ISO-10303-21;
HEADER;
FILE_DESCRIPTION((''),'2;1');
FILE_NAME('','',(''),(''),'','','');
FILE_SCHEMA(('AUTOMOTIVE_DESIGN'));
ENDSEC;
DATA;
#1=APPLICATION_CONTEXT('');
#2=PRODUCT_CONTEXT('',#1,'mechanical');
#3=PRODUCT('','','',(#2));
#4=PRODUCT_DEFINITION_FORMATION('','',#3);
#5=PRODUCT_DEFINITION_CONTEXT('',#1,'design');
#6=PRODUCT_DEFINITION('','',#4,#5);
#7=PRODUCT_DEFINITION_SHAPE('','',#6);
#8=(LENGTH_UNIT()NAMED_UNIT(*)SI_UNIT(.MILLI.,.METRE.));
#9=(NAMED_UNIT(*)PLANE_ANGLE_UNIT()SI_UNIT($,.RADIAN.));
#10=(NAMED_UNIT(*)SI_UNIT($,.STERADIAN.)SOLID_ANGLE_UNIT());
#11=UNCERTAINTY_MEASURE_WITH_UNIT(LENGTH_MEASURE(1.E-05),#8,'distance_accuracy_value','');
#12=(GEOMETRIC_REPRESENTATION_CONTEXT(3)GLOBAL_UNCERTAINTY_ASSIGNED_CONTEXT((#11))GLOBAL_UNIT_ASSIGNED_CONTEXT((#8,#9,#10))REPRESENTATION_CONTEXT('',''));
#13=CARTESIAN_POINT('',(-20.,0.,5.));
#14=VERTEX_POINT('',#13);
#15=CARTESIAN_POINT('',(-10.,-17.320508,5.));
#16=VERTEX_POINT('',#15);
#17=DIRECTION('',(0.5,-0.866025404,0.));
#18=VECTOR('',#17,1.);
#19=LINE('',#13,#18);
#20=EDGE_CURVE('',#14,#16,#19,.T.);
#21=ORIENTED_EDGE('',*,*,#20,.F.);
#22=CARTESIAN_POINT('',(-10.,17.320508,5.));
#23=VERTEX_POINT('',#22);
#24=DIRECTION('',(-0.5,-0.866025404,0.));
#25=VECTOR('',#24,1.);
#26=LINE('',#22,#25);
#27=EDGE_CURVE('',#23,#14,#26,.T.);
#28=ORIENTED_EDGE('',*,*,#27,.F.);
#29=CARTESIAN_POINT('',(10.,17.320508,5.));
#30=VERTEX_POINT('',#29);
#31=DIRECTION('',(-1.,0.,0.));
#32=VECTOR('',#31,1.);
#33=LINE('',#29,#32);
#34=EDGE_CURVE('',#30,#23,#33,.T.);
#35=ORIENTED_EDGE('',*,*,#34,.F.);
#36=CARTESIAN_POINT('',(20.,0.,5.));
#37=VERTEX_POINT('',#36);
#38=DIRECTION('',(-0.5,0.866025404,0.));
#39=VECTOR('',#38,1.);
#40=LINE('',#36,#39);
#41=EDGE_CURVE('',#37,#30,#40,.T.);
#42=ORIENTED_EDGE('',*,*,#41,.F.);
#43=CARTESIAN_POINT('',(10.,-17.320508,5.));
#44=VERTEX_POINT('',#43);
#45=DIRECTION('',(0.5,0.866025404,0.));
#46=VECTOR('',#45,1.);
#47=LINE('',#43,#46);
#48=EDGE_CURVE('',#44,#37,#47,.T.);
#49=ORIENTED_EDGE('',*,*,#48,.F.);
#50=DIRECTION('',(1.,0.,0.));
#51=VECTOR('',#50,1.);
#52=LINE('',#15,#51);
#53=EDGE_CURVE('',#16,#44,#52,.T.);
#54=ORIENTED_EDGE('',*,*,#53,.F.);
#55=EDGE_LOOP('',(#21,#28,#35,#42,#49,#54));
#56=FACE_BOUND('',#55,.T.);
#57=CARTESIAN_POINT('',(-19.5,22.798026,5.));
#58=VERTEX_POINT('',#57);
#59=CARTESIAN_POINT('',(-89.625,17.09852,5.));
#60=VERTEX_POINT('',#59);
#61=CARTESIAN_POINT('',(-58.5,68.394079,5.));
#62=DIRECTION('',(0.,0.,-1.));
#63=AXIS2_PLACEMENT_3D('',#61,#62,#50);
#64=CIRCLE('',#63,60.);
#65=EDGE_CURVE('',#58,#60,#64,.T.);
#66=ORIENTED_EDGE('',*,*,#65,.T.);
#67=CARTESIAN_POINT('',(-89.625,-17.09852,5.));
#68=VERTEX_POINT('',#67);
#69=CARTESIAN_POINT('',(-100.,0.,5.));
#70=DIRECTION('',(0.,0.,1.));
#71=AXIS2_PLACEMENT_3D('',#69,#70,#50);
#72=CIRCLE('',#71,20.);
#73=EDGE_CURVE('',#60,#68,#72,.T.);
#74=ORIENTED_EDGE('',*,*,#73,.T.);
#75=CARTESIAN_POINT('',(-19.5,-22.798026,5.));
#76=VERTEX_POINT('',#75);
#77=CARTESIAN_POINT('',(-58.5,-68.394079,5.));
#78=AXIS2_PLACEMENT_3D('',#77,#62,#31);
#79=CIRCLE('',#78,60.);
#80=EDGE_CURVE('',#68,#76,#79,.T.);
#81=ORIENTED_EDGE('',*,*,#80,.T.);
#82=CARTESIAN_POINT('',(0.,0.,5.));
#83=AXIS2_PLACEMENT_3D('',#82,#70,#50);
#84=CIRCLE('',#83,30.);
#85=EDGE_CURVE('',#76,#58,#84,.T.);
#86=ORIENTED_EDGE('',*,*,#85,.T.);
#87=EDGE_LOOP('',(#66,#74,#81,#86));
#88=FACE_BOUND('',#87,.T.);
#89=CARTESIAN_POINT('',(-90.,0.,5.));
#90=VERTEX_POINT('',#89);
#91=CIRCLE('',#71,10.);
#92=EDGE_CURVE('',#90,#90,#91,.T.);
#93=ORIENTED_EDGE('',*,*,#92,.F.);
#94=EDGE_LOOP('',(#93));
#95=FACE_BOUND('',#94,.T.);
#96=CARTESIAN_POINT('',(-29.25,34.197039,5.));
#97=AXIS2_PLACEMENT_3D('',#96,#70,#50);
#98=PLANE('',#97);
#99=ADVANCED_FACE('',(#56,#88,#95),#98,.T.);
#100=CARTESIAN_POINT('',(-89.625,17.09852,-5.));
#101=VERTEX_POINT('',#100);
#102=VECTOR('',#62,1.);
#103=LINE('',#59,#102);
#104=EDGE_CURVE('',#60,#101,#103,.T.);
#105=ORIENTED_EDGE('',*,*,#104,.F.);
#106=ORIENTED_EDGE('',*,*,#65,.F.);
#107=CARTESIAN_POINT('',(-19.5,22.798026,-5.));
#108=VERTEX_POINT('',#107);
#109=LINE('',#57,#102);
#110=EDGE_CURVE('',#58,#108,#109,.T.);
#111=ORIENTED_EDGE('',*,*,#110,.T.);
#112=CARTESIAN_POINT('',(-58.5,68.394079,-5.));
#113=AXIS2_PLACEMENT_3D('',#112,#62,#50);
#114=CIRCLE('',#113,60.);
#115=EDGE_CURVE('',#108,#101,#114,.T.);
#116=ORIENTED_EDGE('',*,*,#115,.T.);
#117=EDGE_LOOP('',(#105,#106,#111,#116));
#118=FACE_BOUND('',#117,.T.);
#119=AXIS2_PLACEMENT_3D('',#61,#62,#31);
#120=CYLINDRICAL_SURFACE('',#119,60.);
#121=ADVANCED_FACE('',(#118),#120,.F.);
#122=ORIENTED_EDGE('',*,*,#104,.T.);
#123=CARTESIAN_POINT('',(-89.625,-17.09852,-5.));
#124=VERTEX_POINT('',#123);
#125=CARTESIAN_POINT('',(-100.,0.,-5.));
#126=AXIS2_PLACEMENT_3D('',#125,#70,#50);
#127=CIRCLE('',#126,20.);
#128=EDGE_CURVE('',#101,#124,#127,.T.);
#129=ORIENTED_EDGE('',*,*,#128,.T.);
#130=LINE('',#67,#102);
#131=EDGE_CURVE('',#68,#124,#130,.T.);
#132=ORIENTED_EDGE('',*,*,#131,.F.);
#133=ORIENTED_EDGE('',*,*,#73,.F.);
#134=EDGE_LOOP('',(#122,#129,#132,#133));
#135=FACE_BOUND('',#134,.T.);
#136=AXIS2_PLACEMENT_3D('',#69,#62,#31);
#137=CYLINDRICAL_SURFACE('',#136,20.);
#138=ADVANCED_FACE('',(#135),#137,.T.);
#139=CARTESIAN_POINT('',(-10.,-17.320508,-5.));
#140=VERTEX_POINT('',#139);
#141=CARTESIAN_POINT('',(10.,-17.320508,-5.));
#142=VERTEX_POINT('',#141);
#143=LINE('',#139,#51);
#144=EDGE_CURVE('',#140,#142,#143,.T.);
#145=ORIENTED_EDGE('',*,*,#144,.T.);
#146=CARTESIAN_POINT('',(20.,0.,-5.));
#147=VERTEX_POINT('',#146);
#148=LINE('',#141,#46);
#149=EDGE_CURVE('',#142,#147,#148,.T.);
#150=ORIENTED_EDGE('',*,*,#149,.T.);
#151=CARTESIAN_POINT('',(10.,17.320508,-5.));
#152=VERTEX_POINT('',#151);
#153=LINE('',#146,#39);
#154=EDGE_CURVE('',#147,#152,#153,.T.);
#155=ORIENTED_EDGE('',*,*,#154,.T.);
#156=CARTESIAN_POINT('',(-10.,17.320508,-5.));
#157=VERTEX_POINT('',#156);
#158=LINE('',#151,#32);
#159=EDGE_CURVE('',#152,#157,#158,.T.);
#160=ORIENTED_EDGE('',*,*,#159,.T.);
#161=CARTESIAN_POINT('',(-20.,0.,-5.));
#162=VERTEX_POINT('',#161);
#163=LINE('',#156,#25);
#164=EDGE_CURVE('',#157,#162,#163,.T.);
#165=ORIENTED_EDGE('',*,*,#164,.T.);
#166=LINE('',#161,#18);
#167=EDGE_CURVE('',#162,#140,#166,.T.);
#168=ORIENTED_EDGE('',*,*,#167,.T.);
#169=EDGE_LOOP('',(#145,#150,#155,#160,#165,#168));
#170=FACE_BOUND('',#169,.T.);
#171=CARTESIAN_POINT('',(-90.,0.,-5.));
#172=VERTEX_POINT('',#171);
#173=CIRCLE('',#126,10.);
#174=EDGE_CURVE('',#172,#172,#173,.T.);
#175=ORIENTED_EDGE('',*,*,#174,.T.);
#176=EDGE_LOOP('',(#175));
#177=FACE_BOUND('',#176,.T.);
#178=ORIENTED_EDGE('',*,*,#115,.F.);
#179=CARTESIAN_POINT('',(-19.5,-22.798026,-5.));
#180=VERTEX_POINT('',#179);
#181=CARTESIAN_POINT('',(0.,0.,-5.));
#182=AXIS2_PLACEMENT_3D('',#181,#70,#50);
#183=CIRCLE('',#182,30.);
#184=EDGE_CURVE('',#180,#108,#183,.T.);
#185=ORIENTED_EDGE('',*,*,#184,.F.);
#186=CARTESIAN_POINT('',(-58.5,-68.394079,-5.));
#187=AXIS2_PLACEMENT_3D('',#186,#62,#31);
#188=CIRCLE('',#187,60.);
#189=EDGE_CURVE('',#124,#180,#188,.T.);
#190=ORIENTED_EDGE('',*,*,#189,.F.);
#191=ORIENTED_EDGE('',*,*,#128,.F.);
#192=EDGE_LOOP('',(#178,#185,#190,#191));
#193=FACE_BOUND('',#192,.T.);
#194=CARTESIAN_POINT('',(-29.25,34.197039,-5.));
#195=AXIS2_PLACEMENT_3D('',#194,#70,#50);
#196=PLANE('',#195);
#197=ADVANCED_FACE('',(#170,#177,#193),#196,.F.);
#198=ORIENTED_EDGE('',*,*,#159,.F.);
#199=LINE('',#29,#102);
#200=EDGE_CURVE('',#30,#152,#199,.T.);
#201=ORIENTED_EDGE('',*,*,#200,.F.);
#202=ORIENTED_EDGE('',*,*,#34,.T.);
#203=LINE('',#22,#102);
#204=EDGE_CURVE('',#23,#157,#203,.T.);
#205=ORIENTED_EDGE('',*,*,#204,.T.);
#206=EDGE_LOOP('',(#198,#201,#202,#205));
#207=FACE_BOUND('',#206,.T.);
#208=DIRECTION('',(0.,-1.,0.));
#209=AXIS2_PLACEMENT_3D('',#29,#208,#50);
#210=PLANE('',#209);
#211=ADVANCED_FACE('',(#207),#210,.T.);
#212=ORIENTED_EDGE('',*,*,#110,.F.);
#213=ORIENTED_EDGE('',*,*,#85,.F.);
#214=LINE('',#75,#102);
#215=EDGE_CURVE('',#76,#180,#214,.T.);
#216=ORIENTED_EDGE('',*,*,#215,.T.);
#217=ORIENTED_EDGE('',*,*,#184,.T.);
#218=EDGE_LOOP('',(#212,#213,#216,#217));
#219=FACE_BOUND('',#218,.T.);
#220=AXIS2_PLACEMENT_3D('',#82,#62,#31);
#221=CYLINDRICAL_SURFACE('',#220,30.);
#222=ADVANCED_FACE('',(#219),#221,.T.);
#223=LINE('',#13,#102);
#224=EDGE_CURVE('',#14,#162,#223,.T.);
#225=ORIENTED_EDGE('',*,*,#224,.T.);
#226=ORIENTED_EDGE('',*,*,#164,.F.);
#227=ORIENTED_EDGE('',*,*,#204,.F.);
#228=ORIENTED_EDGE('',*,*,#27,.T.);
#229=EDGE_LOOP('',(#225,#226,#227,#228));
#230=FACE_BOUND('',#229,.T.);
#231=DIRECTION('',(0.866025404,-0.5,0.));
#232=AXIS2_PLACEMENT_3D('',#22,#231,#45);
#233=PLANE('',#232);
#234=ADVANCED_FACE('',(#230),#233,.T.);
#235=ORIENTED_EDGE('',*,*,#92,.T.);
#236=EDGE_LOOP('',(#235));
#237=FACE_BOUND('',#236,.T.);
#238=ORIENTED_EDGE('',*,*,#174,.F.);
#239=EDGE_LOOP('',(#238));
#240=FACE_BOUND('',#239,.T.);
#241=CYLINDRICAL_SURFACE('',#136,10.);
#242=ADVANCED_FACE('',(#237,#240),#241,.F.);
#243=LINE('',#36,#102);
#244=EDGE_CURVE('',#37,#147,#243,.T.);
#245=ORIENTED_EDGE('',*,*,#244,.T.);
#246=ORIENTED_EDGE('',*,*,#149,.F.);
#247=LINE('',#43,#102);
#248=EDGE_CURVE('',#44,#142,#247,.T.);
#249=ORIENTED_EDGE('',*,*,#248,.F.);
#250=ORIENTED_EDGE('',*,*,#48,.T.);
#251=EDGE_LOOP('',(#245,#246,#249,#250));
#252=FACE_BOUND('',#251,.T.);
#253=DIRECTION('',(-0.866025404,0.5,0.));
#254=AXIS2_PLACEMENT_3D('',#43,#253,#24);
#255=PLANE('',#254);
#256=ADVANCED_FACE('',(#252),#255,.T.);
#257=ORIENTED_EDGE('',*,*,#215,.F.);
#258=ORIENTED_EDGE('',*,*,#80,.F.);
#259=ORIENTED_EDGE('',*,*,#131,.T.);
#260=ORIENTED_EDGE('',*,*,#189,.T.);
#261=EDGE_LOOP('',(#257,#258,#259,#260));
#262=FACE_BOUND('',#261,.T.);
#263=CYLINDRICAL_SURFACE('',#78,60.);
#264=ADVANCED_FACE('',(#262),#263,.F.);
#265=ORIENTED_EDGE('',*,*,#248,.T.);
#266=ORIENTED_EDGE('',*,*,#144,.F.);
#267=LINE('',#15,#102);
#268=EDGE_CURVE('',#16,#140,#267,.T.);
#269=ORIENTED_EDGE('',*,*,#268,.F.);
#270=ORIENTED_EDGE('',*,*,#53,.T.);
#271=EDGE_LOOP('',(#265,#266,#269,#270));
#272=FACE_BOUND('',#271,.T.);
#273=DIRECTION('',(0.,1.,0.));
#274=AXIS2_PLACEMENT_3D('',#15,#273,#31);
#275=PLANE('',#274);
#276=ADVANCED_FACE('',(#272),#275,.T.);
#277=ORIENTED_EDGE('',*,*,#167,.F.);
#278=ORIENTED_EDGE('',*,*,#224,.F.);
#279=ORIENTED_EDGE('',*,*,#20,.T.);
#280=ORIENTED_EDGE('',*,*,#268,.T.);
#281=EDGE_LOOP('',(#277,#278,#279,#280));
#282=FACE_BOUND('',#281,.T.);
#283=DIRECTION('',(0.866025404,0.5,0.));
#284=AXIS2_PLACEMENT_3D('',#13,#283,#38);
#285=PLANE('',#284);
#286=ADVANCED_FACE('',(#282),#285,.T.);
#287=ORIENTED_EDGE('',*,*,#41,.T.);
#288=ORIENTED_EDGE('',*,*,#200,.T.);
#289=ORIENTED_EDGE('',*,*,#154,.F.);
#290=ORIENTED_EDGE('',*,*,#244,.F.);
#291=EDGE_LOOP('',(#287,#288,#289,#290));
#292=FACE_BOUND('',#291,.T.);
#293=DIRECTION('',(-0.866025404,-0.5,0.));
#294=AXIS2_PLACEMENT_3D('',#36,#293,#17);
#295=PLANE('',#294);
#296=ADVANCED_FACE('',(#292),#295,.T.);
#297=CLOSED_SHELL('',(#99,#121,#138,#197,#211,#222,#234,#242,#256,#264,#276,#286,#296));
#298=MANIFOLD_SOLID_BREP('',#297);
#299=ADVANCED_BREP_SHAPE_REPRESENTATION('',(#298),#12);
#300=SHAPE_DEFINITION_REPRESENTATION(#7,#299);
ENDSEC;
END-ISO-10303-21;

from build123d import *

# Parameters (mm, degrees)
SKETCH1_R           = 10
BOSS_EXTRUDE1_DEPTH = 5


with BuildPart() as part:
    # Sketch1 → Boss-Extrude1 (new, symmetric)
    with BuildSketch(Plane.XY):
        with BuildLine():
            ThreePointArc((-19.5, -22.79802623), (30, 0), (-19.5, 22.79802623))
            ThreePointArc((-19.5, 22.79802623), (-53.639444476, 8.591277753), (-89.625, 17.098519673))
            ThreePointArc((-89.625, 17.098519673), (-120, 0), (-89.625, -17.098519673))
            ThreePointArc((-89.625, -17.098519673), (-53.639444476, -8.591277753), (-19.5, -22.79802623))
        make_face()
        with Locations((-100, 0)):
            Circle(SKETCH1_R, mode=Mode.SUBTRACT)
        Polygon((-20, 0), (-10, -17.320508076), (10, -17.320508076), (20, 0), (10, 17.320508076), (-10, 17.320508076), align=None, mode=Mode.SUBTRACT)
    extrude(amount=BOSS_EXTRUDE1_DEPTH, both=True)


solid = part.part
